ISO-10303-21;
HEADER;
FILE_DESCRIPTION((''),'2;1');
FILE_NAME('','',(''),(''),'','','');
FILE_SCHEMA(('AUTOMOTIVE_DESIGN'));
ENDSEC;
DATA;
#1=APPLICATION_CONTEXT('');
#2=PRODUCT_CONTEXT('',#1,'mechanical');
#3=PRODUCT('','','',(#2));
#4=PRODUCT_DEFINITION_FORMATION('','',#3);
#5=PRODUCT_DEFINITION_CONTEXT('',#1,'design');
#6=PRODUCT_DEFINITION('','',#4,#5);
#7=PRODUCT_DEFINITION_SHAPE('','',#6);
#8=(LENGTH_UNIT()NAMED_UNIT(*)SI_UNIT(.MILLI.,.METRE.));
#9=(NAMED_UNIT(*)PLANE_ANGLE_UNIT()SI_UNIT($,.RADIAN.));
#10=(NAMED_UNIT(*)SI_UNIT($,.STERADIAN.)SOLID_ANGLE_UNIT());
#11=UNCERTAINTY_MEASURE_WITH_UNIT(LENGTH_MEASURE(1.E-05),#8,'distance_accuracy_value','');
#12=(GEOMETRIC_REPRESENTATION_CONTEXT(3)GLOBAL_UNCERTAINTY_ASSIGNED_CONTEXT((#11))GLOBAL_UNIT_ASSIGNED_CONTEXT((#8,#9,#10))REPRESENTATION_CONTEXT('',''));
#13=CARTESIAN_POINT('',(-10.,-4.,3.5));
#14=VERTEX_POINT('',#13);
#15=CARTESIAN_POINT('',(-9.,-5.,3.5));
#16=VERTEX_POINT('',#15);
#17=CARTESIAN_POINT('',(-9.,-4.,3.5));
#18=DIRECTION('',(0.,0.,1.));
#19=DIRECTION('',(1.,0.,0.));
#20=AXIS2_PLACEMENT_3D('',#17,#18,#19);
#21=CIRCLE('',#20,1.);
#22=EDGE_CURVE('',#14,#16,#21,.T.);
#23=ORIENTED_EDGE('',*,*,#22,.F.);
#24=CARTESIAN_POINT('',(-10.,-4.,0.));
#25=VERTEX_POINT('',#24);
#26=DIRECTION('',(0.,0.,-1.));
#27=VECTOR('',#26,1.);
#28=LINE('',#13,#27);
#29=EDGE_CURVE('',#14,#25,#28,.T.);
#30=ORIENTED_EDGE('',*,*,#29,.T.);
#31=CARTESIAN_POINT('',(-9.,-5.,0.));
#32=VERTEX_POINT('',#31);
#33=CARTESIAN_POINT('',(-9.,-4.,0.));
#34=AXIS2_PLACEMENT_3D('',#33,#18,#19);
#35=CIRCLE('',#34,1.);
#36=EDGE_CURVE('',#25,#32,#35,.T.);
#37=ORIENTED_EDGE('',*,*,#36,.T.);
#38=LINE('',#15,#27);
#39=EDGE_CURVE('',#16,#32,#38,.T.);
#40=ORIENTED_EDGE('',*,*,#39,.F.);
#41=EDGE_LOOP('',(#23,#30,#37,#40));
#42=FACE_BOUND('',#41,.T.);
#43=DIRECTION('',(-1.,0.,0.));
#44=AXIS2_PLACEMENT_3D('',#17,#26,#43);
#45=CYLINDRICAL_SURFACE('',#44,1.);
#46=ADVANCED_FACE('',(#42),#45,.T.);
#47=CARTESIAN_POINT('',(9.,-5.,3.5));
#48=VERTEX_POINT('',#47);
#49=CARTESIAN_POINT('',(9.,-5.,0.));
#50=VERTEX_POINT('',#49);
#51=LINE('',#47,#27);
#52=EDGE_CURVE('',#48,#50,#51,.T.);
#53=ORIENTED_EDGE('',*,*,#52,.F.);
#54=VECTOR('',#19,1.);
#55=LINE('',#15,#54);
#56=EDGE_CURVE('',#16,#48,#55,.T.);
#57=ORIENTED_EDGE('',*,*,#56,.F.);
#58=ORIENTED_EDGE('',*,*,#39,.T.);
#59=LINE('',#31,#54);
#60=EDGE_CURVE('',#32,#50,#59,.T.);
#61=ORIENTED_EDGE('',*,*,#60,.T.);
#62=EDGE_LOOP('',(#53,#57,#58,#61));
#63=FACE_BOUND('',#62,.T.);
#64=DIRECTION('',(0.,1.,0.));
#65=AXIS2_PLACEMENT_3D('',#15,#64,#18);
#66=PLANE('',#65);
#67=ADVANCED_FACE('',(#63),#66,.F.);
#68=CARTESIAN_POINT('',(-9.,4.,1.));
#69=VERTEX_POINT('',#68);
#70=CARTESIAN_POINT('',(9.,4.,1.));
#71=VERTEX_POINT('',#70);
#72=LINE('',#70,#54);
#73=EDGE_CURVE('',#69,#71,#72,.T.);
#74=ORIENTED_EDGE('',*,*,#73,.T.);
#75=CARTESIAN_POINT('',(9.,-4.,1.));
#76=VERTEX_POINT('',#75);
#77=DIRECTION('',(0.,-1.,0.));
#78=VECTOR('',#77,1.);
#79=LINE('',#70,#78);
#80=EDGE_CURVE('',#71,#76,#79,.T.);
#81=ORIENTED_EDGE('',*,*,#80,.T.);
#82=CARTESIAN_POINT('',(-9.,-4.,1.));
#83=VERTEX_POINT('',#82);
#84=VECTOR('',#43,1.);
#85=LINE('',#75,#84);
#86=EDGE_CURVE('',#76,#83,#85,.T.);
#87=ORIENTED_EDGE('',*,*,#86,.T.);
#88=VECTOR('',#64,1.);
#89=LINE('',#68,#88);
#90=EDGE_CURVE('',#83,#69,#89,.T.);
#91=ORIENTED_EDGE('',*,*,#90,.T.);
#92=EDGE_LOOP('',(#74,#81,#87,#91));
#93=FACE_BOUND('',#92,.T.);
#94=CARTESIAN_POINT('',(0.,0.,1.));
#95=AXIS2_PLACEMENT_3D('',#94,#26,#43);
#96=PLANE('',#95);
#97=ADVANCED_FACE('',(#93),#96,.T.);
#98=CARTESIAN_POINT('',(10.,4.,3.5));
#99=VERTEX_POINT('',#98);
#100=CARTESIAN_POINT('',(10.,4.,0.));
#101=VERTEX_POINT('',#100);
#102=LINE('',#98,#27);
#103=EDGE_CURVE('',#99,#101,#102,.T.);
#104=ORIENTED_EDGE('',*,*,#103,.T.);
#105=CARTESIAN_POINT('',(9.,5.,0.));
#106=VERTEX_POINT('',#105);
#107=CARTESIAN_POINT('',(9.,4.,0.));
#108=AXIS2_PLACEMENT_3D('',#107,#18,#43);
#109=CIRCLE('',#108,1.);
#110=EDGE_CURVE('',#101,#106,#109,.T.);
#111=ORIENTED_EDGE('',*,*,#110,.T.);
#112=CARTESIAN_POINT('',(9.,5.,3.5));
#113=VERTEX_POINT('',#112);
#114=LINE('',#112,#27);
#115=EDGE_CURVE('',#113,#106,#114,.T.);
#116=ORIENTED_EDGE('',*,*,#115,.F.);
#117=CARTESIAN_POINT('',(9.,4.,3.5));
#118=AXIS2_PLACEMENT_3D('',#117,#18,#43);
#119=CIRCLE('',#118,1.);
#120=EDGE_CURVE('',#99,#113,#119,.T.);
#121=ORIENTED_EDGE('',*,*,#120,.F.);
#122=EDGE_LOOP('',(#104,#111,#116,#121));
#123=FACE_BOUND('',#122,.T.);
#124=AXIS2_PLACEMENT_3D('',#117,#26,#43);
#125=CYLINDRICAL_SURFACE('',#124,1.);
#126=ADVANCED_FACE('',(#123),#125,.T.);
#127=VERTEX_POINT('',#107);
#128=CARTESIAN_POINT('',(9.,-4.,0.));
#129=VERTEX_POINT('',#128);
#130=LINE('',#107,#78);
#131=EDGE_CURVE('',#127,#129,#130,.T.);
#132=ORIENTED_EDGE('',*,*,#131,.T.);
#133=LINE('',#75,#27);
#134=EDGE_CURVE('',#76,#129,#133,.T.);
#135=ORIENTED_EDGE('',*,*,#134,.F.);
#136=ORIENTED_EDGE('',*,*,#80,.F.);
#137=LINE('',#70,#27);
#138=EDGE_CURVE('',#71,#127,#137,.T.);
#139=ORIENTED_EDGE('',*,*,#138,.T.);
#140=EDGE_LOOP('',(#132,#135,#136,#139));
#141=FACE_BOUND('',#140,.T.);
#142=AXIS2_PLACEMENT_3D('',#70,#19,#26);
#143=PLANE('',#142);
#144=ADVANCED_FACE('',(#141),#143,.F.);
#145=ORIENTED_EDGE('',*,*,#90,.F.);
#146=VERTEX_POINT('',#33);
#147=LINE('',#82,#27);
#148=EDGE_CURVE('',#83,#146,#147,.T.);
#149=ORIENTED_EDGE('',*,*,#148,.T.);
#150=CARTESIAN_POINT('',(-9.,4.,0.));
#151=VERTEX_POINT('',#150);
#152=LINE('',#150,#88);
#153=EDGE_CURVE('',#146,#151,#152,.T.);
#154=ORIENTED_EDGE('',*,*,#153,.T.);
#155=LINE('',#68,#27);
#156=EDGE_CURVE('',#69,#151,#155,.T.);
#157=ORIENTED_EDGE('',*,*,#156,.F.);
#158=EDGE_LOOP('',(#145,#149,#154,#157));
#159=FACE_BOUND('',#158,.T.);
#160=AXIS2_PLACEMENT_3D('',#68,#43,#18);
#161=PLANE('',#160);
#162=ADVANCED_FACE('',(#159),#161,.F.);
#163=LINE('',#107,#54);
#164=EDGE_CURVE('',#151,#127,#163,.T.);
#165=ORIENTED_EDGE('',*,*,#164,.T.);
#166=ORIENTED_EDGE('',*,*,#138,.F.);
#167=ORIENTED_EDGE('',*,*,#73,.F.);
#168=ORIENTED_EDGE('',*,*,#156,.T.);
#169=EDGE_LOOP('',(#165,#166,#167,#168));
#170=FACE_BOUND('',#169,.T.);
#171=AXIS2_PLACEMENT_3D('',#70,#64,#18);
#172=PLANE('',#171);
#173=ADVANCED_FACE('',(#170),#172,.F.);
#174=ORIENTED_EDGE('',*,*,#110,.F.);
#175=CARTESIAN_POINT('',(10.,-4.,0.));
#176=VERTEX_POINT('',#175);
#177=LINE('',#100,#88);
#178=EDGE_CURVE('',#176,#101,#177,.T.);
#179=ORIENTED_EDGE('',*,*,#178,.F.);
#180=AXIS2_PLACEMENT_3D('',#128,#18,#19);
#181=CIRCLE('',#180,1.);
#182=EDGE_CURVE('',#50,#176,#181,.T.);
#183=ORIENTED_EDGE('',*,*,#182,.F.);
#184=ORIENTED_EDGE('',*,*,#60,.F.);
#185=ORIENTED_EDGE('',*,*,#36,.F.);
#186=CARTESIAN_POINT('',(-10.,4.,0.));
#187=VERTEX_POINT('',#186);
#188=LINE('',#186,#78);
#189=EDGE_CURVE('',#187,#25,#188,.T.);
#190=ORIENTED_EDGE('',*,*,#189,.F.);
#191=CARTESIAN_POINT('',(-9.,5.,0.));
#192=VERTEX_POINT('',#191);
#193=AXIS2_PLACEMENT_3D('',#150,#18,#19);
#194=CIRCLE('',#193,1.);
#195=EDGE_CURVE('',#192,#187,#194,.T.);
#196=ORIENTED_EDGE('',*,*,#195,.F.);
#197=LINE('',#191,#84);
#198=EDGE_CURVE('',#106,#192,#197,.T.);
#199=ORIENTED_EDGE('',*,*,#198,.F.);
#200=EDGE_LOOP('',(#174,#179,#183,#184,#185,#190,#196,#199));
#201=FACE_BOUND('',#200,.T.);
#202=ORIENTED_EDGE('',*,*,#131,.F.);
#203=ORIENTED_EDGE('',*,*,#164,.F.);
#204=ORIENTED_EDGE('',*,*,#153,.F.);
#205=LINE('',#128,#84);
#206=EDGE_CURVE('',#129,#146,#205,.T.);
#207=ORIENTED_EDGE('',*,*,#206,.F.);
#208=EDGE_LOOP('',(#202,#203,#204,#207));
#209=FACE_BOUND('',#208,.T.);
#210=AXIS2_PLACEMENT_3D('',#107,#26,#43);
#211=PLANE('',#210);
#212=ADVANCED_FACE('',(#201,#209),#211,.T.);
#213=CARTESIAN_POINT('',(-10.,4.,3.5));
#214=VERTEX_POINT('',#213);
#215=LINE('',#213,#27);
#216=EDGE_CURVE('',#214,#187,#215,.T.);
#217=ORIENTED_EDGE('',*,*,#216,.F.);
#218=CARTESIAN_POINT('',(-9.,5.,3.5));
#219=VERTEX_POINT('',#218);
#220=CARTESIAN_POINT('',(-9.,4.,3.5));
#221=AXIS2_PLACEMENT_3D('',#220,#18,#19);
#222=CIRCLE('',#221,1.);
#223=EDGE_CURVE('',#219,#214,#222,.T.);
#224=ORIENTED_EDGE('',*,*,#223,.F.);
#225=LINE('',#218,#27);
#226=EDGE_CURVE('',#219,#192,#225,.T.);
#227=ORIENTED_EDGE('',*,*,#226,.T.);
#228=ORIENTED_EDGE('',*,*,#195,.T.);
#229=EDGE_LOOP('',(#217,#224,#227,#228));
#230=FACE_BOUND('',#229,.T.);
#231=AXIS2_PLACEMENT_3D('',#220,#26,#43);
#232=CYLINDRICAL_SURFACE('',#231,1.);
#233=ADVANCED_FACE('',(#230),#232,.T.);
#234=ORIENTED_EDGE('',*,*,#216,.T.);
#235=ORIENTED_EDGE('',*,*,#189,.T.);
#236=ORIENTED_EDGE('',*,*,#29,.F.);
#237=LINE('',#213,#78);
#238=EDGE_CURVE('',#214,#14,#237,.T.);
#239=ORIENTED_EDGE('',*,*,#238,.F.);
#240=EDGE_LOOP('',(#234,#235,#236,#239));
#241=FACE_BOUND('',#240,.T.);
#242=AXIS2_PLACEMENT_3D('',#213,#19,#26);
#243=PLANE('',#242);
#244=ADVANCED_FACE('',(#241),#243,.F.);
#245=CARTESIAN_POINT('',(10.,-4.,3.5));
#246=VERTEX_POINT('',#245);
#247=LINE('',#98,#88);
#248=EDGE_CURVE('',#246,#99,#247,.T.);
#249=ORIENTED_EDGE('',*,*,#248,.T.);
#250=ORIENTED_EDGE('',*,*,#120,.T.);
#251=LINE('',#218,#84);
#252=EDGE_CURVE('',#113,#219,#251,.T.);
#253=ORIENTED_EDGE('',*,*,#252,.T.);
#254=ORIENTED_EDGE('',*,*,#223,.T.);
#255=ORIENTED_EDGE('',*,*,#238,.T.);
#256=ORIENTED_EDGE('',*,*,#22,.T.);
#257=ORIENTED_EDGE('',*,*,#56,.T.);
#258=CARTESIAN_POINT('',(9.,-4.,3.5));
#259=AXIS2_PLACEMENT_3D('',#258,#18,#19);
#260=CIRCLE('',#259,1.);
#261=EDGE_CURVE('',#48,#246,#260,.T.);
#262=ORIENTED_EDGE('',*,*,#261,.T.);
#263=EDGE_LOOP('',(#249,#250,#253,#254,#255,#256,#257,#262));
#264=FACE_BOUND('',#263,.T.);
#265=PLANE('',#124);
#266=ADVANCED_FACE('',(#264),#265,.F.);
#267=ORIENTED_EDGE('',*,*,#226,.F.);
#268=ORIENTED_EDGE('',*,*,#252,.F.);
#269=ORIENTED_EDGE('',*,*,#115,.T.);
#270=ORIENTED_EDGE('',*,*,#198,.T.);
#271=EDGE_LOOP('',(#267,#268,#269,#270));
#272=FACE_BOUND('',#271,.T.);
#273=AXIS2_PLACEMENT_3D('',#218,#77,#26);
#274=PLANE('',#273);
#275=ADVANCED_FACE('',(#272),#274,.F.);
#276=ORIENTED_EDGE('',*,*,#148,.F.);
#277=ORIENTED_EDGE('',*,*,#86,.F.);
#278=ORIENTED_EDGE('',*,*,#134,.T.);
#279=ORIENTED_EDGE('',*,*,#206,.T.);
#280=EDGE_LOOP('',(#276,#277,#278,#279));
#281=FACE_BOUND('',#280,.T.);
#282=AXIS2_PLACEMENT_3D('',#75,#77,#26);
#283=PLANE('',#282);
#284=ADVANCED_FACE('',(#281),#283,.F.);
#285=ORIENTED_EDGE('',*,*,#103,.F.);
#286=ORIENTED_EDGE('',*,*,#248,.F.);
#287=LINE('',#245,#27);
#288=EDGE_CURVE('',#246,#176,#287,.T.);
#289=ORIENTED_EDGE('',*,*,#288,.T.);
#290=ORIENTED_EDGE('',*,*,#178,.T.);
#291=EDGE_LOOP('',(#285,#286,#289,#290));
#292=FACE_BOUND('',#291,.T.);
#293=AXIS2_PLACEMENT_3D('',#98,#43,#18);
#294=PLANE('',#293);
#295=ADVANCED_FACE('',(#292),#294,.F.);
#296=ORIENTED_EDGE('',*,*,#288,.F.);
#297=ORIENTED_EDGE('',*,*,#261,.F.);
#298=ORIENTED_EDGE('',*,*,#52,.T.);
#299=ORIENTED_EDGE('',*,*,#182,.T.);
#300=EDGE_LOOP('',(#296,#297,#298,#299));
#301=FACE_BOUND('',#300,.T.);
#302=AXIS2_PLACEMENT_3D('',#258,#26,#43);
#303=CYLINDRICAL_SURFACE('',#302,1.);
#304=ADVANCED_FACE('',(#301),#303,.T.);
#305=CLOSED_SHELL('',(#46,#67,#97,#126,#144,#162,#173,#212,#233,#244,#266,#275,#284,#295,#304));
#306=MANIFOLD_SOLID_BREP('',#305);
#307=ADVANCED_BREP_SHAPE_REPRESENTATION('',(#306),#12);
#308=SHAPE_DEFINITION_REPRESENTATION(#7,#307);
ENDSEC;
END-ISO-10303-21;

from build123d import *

# Parameters (mm, degrees)
BOSS_EXTRUDE1_DEPTH = 3.5
SKETCH2_W           = 18
SKETCH2_H           = 8
CUT_EXTRUDE1_DEPTH  = 1


with BuildPart() as part:
    # Sketch1 → Boss-Extrude1 (new body)
    with BuildSketch(Plane.XY):
        with BuildLine():
            Line((-9, 5), (9, 5))
            ThreePointArc((9, 5), (9.707106781, 4.707106781), (10, 4))
            Line((10, 4), (10, -4))
            ThreePointArc((10, -4), (9.707106781, -4.707106781), (9, -5))
            Line((9, -5), (-9, -5))
            ThreePointArc((-9, -5), (-9.707106781, -4.707106781), (-10, -4))
            Line((-10, -4), (-10, 4))
            ThreePointArc((-10, 4), (-9.707106781, 4.707106781), (-9, 5))
        make_face()
    extrude(amount=BOSS_EXTRUDE1_DEPTH)

    # Sketch2 → Cut-Extrude1 (cut)
    with BuildSketch(Plane(origin=(0, 0, 0), x_dir=(-1, 0, 0), z_dir=(0, 0, -1))):
        Rectangle(SKETCH2_W, SKETCH2_H)
    extrude(amount=-CUT_EXTRUDE1_DEPTH, mode=Mode.SUBTRACT)


solid = part.part
